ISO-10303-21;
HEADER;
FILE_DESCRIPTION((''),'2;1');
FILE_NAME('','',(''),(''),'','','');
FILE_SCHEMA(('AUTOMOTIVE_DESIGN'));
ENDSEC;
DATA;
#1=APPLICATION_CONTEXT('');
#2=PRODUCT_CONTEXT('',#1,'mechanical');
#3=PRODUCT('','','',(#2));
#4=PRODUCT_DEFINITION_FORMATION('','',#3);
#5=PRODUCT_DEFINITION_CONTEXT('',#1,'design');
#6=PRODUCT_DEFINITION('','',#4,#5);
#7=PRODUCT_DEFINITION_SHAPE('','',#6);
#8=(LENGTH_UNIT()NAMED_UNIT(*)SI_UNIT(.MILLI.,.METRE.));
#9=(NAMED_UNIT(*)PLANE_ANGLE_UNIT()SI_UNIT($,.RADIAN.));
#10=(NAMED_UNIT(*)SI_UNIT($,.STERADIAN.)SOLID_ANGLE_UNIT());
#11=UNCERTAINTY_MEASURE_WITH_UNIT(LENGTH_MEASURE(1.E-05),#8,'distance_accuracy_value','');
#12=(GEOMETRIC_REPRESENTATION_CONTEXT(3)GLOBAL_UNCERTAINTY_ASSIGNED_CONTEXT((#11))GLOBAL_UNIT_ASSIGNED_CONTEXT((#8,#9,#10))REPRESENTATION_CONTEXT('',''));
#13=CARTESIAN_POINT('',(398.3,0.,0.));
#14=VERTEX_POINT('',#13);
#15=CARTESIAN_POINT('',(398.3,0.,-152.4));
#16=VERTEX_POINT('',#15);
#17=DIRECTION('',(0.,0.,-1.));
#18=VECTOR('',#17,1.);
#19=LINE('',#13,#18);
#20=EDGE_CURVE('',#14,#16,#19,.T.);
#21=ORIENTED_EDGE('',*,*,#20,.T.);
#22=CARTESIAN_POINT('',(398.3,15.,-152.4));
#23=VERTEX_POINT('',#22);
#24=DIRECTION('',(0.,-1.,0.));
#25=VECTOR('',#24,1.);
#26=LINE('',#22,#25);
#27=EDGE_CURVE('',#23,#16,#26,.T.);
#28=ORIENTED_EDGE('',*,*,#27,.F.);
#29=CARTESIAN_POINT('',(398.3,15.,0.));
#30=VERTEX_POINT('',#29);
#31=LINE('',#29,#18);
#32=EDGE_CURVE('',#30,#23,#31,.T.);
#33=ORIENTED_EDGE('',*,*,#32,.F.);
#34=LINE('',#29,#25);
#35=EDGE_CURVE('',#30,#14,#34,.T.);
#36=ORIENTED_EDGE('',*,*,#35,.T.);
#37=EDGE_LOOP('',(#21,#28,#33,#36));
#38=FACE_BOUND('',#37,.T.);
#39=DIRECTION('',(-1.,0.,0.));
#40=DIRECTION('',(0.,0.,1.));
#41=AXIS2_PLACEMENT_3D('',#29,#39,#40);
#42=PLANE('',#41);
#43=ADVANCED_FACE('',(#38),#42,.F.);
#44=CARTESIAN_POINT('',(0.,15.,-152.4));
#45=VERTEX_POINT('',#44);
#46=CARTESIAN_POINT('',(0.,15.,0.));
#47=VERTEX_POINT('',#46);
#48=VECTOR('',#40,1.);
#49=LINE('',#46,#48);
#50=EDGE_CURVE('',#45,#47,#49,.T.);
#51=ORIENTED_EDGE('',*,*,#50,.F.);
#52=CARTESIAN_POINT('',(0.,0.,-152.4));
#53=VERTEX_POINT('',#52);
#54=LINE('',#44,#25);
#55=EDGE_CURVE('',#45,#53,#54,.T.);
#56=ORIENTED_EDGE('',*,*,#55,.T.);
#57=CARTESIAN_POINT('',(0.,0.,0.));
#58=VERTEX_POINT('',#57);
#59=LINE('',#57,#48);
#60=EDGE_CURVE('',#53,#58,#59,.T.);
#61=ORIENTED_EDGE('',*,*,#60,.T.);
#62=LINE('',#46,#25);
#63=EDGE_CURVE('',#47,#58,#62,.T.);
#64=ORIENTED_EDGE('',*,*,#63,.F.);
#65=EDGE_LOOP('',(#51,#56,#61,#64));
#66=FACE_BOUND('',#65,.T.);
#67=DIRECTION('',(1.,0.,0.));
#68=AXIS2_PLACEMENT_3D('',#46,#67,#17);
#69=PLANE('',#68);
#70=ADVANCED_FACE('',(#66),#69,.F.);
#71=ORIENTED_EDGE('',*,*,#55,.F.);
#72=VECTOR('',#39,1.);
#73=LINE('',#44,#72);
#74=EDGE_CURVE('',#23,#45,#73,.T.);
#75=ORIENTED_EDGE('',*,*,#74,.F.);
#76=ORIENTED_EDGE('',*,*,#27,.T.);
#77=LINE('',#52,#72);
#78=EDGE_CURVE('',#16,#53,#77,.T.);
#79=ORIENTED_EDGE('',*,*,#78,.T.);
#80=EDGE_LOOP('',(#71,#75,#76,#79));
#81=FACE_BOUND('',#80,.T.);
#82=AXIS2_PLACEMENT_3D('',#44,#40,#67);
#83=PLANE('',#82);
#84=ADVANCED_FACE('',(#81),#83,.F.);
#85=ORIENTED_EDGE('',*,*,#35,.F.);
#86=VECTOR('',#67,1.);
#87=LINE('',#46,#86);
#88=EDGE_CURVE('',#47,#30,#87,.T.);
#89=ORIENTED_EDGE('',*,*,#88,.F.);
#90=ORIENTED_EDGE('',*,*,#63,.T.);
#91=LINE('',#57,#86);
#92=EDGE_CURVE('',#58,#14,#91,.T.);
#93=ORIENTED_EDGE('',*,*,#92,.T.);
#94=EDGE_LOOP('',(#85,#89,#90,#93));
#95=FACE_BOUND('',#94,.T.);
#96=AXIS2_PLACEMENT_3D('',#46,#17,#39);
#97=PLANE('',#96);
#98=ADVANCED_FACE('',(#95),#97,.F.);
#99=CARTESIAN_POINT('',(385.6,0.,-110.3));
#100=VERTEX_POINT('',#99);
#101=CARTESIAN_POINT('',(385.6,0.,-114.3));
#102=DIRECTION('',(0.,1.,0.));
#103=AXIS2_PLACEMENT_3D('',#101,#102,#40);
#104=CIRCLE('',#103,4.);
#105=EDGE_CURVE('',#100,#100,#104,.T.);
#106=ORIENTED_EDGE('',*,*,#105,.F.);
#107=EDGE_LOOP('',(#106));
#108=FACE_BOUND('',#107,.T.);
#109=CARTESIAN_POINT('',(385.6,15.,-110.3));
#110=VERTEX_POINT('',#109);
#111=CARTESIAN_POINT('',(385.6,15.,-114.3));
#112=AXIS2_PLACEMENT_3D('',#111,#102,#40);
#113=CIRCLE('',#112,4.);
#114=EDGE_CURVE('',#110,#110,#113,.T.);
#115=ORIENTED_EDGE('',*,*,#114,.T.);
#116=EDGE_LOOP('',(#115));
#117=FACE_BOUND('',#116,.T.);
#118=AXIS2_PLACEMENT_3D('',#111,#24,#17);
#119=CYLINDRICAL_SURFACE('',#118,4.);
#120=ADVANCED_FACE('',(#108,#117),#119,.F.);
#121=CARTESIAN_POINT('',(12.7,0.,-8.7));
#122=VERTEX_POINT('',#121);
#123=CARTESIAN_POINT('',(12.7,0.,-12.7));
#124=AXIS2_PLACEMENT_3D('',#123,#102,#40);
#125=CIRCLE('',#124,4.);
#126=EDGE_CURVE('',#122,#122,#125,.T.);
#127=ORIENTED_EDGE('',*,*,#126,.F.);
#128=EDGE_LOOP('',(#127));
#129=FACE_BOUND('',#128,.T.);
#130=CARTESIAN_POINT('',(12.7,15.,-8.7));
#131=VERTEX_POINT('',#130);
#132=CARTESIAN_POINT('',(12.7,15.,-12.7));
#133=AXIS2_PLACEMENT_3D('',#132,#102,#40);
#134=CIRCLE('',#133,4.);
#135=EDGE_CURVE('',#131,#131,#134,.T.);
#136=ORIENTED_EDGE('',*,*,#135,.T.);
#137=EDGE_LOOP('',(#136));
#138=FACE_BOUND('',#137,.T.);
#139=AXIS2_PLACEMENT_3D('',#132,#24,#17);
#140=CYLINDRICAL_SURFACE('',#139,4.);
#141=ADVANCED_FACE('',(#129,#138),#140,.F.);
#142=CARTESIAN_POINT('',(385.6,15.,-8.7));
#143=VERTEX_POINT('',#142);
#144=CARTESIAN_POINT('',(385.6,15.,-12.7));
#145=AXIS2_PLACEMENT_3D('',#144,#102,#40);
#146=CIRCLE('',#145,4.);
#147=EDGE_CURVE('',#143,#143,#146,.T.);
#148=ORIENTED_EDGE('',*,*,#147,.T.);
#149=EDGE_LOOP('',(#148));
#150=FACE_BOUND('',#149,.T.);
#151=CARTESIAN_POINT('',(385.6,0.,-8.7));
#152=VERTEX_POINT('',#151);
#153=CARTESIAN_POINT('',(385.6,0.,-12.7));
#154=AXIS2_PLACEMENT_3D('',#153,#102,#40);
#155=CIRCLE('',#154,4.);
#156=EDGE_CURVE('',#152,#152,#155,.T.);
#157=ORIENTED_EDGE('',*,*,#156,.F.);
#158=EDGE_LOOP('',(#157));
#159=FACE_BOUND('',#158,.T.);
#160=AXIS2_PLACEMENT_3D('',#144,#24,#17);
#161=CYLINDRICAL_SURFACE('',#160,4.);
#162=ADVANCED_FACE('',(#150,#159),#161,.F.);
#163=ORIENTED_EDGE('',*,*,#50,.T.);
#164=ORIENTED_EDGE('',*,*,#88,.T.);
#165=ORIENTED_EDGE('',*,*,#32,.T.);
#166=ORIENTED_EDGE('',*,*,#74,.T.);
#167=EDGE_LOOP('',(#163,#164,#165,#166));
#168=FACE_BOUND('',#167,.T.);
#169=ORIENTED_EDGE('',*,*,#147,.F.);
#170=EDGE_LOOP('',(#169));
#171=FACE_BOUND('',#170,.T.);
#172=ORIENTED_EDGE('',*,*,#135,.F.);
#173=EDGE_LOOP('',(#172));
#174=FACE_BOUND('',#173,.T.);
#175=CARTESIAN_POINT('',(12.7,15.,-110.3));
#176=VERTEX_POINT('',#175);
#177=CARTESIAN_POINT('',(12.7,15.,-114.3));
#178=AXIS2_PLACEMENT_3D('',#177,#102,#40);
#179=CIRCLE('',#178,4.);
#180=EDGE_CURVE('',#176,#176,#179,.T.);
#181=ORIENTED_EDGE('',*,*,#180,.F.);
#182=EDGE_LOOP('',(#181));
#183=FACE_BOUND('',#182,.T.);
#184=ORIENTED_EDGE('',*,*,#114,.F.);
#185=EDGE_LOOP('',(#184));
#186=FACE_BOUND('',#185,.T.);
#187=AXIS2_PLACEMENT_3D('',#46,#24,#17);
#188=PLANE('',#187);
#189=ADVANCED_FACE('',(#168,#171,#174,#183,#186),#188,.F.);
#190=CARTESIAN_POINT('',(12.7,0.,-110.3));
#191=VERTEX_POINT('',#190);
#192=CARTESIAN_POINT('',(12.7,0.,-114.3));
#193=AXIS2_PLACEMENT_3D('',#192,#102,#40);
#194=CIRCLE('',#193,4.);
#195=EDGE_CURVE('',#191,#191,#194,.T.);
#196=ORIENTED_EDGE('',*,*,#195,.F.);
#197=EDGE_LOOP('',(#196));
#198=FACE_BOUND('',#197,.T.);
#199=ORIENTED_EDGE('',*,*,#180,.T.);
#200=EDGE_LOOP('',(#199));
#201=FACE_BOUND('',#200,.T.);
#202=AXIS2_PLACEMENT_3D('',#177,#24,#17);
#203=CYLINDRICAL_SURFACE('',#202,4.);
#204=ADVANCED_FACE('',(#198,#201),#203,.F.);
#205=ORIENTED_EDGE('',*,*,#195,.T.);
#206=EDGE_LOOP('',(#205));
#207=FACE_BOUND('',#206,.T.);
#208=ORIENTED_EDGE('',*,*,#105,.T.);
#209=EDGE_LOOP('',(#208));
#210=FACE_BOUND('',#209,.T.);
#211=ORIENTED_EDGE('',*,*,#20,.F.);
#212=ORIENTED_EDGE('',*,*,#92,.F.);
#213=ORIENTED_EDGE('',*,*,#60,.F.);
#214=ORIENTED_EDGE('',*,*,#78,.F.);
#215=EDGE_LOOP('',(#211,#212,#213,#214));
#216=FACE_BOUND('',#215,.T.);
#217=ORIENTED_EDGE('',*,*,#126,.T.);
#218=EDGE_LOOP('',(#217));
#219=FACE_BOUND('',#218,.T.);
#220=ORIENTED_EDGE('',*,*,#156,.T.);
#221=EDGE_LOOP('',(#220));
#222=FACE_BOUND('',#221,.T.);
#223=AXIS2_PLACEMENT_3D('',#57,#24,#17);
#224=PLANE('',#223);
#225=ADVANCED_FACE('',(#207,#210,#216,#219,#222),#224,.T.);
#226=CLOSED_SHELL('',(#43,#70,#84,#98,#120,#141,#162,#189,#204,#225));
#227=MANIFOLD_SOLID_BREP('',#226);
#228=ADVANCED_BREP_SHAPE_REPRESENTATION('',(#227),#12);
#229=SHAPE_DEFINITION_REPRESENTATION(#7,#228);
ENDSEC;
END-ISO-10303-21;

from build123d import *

# Parameters (mm, degrees)
SKETCH_1_W      = 398.3
SKETCH_1_H      = 152.4
SKETCH_1_R      = 4
EXTRUDE_1_DEPTH = 15


with BuildPart() as part:
    # 草图1 → 凸台-拉伸1 (new body)
    with BuildSketch(Plane(origin=(0, 0, 0), x_dir=(1, 0, 0), z_dir=(0, 1, 0))):
        with Locations((199.15, 76.2)):
            Rectangle(SKETCH_1_W, SKETCH_1_H)
        with Locations(Location((12.7, 114.3, 0), (0, 0, 270))):
            Circle(SKETCH_1_R, mode=Mode.SUBTRACT)
        with Locations(Location((12.7, 12.7, 0), (0, 0, 270))):
            Circle(SKETCH_1_R, mode=Mode.SUBTRACT)
        with Locations(Location((385.6, 114.3, 0), (0, 0, 270))):
            Circle(SKETCH_1_R, mode=Mode.SUBTRACT)
        with Locations(Location((385.6, 12.7, 0), (0, 0, 270))):
            Circle(SKETCH_1_R, mode=Mode.SUBTRACT)
    extrude(amount=EXTRUDE_1_DEPTH)


solid = part.part
